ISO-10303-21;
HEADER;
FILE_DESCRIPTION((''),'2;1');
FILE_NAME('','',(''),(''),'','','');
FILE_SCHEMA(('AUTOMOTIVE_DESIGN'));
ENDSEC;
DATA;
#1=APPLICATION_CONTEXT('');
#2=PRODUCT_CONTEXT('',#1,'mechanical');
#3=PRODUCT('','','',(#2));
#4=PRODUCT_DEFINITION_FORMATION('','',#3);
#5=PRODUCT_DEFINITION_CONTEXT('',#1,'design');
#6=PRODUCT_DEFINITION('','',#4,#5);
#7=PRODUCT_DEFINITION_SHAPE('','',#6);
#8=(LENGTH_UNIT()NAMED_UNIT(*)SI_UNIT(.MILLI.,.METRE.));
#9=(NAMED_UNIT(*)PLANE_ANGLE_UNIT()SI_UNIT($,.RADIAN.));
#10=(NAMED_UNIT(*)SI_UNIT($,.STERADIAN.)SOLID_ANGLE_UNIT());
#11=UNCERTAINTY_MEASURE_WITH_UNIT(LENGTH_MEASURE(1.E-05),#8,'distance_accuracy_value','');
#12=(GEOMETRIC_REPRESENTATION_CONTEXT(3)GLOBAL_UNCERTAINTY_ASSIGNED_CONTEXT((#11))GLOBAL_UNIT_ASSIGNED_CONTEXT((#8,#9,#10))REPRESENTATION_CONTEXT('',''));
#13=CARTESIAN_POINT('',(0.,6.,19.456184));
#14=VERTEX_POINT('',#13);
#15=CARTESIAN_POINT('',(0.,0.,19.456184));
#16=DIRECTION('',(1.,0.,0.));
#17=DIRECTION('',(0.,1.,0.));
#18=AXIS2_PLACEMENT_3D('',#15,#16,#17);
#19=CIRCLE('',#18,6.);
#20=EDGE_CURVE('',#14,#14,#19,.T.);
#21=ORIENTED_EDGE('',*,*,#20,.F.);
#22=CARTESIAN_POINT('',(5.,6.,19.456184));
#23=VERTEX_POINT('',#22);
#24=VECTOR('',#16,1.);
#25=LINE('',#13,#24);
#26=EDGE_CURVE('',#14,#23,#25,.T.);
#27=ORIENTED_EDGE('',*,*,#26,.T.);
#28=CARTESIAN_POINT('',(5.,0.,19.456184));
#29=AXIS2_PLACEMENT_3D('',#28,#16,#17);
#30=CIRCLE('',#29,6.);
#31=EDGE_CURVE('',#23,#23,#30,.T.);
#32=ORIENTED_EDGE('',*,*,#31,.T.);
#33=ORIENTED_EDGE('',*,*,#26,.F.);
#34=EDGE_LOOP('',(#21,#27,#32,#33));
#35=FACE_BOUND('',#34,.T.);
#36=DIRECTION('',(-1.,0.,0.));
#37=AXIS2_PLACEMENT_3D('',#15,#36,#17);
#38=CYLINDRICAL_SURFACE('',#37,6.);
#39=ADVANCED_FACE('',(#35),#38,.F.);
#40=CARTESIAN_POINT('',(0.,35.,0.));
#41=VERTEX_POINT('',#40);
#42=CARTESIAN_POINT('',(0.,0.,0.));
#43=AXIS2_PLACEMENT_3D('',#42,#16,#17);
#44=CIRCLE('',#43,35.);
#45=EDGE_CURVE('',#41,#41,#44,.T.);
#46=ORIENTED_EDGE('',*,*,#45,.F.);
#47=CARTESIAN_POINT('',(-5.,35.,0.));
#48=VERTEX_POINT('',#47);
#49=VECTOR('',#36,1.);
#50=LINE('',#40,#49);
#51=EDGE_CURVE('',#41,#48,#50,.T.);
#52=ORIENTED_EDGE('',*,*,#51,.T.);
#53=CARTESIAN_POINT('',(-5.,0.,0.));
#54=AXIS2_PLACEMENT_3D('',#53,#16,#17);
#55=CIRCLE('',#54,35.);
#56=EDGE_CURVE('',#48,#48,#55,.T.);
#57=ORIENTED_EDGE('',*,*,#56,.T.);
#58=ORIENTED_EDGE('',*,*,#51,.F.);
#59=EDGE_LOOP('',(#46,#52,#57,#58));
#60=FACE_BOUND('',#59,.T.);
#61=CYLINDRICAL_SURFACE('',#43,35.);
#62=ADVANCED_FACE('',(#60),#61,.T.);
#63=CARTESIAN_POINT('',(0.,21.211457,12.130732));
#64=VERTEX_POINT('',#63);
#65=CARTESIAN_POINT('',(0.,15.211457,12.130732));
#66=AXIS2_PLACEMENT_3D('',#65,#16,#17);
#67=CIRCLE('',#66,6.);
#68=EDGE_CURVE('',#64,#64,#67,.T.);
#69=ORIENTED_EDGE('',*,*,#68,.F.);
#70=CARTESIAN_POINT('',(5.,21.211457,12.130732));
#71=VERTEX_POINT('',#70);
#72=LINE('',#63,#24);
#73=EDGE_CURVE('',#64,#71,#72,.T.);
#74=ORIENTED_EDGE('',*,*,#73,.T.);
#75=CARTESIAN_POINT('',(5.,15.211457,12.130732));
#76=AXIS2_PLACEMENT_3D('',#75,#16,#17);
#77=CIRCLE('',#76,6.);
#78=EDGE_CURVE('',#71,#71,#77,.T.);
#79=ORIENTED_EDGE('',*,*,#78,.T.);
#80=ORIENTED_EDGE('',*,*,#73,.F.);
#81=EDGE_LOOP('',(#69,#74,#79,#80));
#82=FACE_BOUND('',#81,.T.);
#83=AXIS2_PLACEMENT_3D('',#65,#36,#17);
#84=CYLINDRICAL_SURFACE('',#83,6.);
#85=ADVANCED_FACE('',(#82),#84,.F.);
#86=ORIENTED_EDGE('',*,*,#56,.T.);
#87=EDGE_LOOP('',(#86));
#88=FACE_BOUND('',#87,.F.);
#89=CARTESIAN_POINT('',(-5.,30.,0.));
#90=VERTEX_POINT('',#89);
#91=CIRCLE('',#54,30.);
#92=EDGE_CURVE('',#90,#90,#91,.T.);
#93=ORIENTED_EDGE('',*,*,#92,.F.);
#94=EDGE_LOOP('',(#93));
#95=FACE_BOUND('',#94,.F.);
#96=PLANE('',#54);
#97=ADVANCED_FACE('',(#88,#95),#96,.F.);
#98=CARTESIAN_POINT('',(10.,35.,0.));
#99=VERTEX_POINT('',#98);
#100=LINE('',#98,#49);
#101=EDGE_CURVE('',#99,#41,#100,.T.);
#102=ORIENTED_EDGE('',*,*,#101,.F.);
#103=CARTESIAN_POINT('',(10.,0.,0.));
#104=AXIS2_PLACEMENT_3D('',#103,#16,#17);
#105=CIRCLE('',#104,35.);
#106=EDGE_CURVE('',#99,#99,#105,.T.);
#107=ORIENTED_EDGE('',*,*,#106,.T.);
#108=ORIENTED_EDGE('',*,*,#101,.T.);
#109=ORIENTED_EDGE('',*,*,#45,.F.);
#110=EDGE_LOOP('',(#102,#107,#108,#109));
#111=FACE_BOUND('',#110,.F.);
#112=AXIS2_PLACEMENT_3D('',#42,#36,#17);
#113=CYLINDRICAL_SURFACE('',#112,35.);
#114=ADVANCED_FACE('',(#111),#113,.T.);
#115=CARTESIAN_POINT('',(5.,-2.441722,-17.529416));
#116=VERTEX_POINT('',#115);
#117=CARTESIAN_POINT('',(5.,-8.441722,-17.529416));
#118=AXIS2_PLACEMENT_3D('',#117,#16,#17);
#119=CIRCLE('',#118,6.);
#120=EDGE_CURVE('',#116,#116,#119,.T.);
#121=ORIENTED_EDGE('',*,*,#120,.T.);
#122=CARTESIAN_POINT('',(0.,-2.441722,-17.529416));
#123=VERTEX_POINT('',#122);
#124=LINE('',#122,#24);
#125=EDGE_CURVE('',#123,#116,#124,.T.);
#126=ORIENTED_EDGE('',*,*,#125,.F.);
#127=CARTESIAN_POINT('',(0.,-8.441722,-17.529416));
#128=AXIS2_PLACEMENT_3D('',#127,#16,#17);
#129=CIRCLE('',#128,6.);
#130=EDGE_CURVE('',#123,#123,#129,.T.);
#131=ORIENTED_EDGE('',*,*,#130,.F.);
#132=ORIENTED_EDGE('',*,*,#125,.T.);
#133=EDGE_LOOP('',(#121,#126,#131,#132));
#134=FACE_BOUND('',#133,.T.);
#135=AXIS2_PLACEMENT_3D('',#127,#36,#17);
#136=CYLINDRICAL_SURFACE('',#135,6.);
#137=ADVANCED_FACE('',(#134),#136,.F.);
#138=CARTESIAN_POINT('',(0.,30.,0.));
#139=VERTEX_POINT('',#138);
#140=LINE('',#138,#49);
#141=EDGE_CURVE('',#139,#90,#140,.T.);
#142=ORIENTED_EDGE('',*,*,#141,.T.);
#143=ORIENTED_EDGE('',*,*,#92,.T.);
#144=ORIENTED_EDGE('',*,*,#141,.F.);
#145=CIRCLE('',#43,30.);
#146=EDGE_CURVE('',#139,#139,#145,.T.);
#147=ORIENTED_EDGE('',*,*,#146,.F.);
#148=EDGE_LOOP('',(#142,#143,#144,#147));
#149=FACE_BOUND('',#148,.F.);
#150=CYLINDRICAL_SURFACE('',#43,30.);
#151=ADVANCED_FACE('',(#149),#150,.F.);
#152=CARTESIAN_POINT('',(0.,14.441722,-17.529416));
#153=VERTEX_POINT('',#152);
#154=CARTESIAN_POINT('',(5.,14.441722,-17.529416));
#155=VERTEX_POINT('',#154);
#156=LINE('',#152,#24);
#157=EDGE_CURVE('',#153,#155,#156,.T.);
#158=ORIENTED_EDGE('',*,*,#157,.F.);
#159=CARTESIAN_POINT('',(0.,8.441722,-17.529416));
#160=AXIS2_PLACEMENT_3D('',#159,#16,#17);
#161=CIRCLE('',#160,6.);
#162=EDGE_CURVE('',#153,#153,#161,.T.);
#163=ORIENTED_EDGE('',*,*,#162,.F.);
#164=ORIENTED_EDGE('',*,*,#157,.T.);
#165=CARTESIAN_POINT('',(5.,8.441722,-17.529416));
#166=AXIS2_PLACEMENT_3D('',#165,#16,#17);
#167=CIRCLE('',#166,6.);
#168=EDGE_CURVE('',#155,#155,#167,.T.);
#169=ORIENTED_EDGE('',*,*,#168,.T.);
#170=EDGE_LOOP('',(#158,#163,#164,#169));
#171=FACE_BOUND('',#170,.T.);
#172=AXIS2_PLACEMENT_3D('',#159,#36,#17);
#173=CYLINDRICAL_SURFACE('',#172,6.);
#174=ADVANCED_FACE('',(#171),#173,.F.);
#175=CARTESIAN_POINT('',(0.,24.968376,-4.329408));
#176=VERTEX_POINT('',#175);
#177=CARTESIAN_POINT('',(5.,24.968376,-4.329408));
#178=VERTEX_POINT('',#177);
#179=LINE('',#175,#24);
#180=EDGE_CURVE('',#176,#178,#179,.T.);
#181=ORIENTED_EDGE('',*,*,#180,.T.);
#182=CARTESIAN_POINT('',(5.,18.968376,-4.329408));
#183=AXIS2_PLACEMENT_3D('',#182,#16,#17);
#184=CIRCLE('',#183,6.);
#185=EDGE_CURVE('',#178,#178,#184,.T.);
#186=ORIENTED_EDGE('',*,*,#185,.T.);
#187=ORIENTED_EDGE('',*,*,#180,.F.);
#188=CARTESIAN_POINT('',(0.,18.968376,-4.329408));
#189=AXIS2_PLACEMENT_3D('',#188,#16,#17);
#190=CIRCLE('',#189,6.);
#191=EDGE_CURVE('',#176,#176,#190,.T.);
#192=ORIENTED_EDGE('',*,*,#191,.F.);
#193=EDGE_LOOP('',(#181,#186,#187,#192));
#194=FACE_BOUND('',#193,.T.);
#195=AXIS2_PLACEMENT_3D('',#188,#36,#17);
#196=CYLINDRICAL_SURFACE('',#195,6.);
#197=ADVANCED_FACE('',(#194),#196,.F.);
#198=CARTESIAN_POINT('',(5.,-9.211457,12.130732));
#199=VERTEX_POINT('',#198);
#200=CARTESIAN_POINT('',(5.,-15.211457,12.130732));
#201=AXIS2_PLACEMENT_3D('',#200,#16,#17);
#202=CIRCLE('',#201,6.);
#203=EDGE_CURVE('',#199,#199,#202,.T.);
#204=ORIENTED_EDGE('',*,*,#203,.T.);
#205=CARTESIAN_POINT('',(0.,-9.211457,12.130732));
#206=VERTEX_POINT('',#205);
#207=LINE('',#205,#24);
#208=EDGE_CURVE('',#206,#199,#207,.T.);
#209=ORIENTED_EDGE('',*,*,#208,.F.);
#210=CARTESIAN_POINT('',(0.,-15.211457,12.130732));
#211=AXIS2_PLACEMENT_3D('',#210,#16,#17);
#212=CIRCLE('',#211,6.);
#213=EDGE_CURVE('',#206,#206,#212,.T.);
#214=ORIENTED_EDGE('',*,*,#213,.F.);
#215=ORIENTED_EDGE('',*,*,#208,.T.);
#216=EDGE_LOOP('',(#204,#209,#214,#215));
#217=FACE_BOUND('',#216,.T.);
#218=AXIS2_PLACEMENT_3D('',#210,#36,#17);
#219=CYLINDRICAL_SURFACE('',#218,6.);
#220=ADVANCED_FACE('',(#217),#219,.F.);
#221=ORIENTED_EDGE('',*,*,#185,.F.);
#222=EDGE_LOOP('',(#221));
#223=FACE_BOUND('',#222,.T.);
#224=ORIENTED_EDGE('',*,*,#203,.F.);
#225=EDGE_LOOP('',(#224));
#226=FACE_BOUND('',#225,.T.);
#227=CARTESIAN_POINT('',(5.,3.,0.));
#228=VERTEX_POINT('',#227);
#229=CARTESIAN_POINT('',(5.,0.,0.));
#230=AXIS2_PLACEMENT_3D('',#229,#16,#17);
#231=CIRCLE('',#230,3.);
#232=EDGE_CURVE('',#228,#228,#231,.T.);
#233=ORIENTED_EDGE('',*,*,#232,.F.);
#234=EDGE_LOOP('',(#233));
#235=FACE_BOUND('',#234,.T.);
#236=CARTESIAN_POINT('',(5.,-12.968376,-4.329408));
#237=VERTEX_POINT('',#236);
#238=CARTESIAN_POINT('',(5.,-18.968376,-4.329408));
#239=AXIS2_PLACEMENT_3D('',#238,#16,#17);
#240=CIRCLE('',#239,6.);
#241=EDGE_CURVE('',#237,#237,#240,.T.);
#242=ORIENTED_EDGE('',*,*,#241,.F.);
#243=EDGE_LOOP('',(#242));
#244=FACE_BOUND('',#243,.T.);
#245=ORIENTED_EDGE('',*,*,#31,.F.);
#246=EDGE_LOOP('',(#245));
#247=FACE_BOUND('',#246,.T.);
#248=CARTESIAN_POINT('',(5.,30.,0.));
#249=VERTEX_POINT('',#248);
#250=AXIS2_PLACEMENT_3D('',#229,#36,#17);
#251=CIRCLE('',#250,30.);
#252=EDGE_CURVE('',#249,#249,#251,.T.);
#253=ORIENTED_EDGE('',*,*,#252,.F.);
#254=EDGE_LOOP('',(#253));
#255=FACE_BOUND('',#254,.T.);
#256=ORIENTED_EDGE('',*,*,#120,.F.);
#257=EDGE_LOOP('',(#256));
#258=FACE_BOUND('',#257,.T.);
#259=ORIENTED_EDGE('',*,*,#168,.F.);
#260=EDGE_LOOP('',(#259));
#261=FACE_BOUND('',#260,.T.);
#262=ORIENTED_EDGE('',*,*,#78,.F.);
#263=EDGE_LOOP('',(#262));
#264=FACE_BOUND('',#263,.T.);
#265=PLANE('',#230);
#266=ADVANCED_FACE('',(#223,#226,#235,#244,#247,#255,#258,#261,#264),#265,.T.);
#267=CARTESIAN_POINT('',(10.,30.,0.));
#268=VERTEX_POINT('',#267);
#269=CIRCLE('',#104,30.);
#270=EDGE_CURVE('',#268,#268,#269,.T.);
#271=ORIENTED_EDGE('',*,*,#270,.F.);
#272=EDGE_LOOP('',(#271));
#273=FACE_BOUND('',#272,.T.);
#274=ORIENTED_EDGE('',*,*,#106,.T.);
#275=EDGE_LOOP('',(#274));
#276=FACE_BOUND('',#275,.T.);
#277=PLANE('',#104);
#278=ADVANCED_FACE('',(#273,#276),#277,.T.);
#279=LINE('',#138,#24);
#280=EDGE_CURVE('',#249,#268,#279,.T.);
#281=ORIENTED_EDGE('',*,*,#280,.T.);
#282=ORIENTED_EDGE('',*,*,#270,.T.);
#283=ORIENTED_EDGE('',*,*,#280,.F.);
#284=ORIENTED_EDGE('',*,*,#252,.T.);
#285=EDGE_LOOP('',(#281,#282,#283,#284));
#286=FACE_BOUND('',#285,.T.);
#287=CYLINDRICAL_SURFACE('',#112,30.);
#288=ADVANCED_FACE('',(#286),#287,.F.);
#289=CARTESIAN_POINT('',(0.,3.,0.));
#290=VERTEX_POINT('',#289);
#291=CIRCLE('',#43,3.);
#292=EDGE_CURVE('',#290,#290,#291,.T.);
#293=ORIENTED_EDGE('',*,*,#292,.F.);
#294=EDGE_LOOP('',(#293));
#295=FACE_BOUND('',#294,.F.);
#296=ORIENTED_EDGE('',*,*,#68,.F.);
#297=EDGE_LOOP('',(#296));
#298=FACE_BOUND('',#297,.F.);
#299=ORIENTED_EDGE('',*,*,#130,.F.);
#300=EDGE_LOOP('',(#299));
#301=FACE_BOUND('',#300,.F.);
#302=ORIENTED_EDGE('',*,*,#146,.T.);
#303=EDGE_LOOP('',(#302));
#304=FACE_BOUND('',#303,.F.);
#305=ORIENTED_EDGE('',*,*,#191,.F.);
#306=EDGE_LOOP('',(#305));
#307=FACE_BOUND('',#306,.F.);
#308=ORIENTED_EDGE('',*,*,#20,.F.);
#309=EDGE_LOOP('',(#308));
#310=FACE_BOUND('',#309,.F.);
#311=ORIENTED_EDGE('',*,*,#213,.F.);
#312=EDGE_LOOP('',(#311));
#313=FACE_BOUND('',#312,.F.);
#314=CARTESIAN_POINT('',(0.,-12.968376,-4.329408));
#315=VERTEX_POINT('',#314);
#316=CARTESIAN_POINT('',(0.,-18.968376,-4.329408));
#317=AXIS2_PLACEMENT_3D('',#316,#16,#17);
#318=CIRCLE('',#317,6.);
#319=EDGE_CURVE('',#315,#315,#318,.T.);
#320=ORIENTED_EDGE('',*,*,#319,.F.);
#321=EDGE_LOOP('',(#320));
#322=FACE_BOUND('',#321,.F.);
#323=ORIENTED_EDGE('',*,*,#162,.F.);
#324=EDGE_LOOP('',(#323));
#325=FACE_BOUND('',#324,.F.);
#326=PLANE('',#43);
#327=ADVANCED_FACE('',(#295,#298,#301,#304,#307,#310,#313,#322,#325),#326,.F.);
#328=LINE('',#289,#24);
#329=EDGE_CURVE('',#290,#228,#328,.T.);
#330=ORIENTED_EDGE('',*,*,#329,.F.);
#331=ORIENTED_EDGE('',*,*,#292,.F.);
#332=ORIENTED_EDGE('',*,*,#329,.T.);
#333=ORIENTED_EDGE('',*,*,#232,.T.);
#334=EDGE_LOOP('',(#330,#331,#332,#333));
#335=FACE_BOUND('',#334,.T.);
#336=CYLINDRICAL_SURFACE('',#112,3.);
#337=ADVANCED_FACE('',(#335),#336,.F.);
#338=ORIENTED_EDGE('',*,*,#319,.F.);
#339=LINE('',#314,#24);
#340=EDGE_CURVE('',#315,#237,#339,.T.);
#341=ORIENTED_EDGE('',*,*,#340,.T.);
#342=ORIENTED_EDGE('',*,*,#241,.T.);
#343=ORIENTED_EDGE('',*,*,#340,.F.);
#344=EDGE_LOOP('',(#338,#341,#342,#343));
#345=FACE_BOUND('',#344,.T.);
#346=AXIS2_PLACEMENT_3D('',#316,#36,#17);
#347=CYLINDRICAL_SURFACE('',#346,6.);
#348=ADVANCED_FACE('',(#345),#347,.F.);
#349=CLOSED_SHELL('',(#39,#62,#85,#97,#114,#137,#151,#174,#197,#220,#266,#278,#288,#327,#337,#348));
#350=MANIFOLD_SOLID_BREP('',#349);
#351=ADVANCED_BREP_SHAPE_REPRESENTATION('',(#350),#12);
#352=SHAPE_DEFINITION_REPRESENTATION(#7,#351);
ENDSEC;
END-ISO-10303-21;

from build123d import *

# Parameters (mm, degrees)
F0_R          = 35
F0_R_2        = 6
F0_R_3        = 3
F1_DEPTH      = 5
F2_R          = 35
F2_R_2        = 30
F3_DEPTH      = 10
F3_DEPTH_BACK = 5


with BuildPart() as f1:
    # F0 (on Right) → F1 (new body)
    with BuildSketch(Plane.YZ):
        Circle(F0_R)
        with Locations((-8.441722, -17.529416)):
            Circle(F0_R_2, mode=Mode.SUBTRACT)
        with Locations((-18.968376, -4.329408)):
            Circle(F0_R_2, mode=Mode.SUBTRACT)
        with Locations((8.441722, -17.529416)):
            Circle(F0_R_2, mode=Mode.SUBTRACT)
        with Locations((18.968376, -4.329408)):
            Circle(F0_R_2, mode=Mode.SUBTRACT)
        with Locations((-15.211457, 12.130732)):
            Circle(F0_R_2, mode=Mode.SUBTRACT)
        Circle(F0_R_3, mode=Mode.SUBTRACT)
        with Locations((15.211457, 12.130732)):
            Circle(F0_R_2, mode=Mode.SUBTRACT)
        with Locations((0, 19.456184)):
            Circle(F0_R_2, mode=Mode.SUBTRACT)
    extrude(amount=F1_DEPTH)

    # F2 (on Right) → F3 (join, two sides)
    with BuildSketch(Plane.YZ) as f3_sk:
        Circle(F2_R)
        Circle(F2_R_2, mode=Mode.SUBTRACT)
    extrude(amount=F3_DEPTH)
    extrude(f3_sk.sketch, amount=-F3_DEPTH_BACK)


solid = f1.part
